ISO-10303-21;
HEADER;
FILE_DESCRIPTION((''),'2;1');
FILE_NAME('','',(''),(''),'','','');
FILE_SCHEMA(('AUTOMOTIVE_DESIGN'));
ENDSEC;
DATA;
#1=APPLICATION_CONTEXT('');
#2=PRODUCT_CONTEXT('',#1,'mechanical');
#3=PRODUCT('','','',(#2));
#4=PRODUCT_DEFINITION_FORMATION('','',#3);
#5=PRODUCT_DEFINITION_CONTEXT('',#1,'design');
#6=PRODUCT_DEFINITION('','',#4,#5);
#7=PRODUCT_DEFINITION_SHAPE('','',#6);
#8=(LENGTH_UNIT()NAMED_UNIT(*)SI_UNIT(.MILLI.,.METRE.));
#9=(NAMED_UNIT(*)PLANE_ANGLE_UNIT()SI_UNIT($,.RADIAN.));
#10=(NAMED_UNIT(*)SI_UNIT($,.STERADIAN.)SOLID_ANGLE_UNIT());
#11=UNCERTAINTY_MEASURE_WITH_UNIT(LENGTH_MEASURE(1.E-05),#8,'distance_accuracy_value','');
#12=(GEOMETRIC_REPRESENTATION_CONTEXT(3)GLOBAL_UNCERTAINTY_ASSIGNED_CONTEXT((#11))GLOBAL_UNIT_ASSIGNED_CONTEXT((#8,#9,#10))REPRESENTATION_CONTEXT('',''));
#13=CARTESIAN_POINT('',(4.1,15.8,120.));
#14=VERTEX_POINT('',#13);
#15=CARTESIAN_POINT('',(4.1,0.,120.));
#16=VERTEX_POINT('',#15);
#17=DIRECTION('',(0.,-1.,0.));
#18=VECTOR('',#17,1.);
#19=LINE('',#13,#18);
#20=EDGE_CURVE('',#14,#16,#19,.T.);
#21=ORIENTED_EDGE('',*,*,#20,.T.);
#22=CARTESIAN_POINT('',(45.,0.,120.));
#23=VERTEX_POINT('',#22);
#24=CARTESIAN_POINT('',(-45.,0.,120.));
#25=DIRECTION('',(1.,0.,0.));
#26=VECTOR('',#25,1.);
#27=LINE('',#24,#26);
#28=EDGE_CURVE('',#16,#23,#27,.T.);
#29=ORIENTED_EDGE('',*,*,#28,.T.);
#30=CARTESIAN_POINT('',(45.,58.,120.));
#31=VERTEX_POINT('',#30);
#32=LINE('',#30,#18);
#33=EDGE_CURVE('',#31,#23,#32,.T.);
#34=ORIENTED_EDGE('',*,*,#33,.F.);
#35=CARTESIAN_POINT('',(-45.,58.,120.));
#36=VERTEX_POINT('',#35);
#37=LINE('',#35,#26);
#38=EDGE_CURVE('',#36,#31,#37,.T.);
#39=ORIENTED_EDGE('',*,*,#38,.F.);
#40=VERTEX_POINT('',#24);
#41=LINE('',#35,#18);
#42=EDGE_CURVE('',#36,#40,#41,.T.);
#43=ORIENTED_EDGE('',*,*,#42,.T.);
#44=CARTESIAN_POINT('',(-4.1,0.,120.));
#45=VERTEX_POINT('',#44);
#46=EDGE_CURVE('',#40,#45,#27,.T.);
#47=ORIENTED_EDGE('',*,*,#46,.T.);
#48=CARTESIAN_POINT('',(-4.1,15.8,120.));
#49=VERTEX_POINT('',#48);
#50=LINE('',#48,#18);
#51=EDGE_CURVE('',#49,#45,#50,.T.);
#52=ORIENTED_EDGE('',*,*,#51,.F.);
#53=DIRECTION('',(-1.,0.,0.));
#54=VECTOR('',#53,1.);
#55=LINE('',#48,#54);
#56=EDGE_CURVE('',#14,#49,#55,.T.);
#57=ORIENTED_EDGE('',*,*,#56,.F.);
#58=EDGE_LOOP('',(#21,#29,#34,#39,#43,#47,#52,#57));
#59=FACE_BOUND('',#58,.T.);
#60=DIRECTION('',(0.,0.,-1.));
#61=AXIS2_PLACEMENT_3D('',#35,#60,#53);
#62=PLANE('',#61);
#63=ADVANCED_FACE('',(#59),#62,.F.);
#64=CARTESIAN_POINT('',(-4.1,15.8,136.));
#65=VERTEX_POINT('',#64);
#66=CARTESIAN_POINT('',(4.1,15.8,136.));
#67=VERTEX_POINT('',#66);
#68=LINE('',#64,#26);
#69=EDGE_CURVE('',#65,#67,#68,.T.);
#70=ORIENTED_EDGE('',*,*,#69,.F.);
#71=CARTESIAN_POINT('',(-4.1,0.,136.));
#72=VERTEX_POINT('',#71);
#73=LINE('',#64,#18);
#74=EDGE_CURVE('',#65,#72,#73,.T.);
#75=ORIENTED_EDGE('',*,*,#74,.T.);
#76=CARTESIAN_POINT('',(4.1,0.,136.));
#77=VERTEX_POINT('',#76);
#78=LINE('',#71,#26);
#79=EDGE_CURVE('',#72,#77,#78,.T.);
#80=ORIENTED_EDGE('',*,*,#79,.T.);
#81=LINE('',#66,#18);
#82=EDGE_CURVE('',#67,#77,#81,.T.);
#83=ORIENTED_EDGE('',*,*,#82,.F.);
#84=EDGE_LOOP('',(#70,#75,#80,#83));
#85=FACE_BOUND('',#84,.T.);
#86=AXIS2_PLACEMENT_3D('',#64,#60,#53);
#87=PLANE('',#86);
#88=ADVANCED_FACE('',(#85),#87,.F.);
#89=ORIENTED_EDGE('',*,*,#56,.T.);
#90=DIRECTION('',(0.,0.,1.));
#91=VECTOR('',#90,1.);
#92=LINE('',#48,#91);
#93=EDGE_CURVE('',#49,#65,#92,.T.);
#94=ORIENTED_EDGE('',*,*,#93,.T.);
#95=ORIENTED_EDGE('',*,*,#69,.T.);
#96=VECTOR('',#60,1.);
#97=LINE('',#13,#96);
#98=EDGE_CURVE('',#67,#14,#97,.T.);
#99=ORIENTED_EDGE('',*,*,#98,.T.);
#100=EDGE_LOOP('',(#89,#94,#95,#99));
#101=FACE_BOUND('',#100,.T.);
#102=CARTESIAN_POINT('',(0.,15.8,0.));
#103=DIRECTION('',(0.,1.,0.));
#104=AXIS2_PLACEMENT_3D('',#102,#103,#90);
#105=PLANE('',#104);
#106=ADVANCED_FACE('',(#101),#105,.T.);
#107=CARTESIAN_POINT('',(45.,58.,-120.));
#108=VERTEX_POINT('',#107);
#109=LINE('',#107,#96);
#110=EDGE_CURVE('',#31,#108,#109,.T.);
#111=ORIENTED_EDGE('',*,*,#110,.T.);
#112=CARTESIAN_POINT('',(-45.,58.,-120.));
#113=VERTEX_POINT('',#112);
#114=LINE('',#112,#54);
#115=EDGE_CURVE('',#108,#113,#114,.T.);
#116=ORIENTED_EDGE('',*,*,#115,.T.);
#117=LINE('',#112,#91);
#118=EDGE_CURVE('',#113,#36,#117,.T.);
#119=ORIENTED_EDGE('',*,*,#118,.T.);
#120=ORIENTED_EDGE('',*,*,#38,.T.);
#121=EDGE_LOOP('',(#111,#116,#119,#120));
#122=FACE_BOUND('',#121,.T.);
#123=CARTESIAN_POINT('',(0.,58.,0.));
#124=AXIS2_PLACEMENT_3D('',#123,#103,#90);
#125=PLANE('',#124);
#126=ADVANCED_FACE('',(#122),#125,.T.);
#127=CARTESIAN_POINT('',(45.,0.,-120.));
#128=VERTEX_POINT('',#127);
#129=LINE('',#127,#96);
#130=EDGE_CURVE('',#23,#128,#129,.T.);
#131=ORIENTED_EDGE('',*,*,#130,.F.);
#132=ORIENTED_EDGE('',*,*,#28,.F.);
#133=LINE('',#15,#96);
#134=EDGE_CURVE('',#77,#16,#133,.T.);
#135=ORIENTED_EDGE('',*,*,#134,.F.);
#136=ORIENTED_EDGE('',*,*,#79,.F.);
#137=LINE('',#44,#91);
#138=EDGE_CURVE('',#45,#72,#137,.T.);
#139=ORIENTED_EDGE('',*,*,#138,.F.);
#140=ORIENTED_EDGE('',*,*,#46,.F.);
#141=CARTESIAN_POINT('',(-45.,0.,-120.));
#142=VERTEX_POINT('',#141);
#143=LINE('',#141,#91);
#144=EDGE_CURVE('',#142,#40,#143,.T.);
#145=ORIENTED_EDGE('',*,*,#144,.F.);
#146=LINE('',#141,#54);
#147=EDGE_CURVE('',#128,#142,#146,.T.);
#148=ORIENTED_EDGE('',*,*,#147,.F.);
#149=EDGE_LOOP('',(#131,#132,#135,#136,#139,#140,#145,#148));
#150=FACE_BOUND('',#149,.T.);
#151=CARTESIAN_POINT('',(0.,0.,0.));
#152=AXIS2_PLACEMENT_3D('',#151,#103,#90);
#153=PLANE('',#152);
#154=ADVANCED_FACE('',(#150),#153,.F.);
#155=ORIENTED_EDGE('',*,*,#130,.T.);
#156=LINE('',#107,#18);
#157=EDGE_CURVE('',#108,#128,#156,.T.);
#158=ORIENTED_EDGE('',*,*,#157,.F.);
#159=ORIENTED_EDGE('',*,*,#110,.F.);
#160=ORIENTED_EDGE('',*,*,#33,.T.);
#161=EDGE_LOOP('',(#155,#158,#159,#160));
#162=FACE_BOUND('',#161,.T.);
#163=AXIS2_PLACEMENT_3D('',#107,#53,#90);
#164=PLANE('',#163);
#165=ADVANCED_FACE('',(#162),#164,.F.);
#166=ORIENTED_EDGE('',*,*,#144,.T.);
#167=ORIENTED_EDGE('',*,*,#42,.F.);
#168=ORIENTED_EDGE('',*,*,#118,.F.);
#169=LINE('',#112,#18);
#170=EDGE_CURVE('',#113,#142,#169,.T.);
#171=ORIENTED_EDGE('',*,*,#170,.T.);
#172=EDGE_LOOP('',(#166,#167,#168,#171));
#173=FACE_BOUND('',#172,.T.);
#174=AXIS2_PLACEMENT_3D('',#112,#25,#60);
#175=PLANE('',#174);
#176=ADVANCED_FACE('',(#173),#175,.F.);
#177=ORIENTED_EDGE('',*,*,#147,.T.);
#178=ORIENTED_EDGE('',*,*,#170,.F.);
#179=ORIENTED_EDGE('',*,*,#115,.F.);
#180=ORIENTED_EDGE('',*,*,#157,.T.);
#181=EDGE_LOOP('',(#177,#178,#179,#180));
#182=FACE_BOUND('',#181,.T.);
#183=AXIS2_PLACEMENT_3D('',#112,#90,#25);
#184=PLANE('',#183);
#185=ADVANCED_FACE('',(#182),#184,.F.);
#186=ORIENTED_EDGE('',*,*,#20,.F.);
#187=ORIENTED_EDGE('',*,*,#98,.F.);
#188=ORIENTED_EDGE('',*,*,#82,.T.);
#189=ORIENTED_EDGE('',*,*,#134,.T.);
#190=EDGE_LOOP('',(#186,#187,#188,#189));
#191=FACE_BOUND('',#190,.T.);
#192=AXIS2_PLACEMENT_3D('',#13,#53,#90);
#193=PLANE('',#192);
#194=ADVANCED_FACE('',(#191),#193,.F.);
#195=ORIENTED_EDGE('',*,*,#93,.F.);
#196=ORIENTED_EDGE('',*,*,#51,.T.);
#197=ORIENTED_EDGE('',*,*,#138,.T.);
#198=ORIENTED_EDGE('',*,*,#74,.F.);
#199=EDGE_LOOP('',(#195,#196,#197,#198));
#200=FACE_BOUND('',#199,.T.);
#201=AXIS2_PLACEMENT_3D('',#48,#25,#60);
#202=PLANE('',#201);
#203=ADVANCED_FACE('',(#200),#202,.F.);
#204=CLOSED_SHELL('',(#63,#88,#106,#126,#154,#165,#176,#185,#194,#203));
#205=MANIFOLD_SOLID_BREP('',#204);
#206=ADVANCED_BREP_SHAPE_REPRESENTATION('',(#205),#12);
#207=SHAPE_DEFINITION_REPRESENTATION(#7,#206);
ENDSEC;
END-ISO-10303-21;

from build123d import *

# Parameters (mm, degrees)
SK_PACK_W     = 90
SK_PACK_H     = 240
EX_PACK_DEPTH = 58
SK_XT60_W     = 8.2
SK_XT60_H     = 16
EX_XT60_DEPTH = 15.8


with BuildPart() as part:
    # SK_Pack → EX_Pack (new body)
    with BuildSketch(Plane(origin=(0, 0, 0), x_dir=(1, 0, 0), z_dir=(0, 1, 0))):
        Rectangle(SK_PACK_W, SK_PACK_H)
    extrude(amount=EX_PACK_DEPTH)

    # SK_XT60 → EX_XT60 (add)
    with BuildSketch(Plane(origin=(0, 0, 0), x_dir=(1, 0, 0), z_dir=(0, 1, 0))):
        with Locations((0, -128)):
            Rectangle(SK_XT60_W, SK_XT60_H)
    extrude(amount=EX_XT60_DEPTH)


solid = part.part
